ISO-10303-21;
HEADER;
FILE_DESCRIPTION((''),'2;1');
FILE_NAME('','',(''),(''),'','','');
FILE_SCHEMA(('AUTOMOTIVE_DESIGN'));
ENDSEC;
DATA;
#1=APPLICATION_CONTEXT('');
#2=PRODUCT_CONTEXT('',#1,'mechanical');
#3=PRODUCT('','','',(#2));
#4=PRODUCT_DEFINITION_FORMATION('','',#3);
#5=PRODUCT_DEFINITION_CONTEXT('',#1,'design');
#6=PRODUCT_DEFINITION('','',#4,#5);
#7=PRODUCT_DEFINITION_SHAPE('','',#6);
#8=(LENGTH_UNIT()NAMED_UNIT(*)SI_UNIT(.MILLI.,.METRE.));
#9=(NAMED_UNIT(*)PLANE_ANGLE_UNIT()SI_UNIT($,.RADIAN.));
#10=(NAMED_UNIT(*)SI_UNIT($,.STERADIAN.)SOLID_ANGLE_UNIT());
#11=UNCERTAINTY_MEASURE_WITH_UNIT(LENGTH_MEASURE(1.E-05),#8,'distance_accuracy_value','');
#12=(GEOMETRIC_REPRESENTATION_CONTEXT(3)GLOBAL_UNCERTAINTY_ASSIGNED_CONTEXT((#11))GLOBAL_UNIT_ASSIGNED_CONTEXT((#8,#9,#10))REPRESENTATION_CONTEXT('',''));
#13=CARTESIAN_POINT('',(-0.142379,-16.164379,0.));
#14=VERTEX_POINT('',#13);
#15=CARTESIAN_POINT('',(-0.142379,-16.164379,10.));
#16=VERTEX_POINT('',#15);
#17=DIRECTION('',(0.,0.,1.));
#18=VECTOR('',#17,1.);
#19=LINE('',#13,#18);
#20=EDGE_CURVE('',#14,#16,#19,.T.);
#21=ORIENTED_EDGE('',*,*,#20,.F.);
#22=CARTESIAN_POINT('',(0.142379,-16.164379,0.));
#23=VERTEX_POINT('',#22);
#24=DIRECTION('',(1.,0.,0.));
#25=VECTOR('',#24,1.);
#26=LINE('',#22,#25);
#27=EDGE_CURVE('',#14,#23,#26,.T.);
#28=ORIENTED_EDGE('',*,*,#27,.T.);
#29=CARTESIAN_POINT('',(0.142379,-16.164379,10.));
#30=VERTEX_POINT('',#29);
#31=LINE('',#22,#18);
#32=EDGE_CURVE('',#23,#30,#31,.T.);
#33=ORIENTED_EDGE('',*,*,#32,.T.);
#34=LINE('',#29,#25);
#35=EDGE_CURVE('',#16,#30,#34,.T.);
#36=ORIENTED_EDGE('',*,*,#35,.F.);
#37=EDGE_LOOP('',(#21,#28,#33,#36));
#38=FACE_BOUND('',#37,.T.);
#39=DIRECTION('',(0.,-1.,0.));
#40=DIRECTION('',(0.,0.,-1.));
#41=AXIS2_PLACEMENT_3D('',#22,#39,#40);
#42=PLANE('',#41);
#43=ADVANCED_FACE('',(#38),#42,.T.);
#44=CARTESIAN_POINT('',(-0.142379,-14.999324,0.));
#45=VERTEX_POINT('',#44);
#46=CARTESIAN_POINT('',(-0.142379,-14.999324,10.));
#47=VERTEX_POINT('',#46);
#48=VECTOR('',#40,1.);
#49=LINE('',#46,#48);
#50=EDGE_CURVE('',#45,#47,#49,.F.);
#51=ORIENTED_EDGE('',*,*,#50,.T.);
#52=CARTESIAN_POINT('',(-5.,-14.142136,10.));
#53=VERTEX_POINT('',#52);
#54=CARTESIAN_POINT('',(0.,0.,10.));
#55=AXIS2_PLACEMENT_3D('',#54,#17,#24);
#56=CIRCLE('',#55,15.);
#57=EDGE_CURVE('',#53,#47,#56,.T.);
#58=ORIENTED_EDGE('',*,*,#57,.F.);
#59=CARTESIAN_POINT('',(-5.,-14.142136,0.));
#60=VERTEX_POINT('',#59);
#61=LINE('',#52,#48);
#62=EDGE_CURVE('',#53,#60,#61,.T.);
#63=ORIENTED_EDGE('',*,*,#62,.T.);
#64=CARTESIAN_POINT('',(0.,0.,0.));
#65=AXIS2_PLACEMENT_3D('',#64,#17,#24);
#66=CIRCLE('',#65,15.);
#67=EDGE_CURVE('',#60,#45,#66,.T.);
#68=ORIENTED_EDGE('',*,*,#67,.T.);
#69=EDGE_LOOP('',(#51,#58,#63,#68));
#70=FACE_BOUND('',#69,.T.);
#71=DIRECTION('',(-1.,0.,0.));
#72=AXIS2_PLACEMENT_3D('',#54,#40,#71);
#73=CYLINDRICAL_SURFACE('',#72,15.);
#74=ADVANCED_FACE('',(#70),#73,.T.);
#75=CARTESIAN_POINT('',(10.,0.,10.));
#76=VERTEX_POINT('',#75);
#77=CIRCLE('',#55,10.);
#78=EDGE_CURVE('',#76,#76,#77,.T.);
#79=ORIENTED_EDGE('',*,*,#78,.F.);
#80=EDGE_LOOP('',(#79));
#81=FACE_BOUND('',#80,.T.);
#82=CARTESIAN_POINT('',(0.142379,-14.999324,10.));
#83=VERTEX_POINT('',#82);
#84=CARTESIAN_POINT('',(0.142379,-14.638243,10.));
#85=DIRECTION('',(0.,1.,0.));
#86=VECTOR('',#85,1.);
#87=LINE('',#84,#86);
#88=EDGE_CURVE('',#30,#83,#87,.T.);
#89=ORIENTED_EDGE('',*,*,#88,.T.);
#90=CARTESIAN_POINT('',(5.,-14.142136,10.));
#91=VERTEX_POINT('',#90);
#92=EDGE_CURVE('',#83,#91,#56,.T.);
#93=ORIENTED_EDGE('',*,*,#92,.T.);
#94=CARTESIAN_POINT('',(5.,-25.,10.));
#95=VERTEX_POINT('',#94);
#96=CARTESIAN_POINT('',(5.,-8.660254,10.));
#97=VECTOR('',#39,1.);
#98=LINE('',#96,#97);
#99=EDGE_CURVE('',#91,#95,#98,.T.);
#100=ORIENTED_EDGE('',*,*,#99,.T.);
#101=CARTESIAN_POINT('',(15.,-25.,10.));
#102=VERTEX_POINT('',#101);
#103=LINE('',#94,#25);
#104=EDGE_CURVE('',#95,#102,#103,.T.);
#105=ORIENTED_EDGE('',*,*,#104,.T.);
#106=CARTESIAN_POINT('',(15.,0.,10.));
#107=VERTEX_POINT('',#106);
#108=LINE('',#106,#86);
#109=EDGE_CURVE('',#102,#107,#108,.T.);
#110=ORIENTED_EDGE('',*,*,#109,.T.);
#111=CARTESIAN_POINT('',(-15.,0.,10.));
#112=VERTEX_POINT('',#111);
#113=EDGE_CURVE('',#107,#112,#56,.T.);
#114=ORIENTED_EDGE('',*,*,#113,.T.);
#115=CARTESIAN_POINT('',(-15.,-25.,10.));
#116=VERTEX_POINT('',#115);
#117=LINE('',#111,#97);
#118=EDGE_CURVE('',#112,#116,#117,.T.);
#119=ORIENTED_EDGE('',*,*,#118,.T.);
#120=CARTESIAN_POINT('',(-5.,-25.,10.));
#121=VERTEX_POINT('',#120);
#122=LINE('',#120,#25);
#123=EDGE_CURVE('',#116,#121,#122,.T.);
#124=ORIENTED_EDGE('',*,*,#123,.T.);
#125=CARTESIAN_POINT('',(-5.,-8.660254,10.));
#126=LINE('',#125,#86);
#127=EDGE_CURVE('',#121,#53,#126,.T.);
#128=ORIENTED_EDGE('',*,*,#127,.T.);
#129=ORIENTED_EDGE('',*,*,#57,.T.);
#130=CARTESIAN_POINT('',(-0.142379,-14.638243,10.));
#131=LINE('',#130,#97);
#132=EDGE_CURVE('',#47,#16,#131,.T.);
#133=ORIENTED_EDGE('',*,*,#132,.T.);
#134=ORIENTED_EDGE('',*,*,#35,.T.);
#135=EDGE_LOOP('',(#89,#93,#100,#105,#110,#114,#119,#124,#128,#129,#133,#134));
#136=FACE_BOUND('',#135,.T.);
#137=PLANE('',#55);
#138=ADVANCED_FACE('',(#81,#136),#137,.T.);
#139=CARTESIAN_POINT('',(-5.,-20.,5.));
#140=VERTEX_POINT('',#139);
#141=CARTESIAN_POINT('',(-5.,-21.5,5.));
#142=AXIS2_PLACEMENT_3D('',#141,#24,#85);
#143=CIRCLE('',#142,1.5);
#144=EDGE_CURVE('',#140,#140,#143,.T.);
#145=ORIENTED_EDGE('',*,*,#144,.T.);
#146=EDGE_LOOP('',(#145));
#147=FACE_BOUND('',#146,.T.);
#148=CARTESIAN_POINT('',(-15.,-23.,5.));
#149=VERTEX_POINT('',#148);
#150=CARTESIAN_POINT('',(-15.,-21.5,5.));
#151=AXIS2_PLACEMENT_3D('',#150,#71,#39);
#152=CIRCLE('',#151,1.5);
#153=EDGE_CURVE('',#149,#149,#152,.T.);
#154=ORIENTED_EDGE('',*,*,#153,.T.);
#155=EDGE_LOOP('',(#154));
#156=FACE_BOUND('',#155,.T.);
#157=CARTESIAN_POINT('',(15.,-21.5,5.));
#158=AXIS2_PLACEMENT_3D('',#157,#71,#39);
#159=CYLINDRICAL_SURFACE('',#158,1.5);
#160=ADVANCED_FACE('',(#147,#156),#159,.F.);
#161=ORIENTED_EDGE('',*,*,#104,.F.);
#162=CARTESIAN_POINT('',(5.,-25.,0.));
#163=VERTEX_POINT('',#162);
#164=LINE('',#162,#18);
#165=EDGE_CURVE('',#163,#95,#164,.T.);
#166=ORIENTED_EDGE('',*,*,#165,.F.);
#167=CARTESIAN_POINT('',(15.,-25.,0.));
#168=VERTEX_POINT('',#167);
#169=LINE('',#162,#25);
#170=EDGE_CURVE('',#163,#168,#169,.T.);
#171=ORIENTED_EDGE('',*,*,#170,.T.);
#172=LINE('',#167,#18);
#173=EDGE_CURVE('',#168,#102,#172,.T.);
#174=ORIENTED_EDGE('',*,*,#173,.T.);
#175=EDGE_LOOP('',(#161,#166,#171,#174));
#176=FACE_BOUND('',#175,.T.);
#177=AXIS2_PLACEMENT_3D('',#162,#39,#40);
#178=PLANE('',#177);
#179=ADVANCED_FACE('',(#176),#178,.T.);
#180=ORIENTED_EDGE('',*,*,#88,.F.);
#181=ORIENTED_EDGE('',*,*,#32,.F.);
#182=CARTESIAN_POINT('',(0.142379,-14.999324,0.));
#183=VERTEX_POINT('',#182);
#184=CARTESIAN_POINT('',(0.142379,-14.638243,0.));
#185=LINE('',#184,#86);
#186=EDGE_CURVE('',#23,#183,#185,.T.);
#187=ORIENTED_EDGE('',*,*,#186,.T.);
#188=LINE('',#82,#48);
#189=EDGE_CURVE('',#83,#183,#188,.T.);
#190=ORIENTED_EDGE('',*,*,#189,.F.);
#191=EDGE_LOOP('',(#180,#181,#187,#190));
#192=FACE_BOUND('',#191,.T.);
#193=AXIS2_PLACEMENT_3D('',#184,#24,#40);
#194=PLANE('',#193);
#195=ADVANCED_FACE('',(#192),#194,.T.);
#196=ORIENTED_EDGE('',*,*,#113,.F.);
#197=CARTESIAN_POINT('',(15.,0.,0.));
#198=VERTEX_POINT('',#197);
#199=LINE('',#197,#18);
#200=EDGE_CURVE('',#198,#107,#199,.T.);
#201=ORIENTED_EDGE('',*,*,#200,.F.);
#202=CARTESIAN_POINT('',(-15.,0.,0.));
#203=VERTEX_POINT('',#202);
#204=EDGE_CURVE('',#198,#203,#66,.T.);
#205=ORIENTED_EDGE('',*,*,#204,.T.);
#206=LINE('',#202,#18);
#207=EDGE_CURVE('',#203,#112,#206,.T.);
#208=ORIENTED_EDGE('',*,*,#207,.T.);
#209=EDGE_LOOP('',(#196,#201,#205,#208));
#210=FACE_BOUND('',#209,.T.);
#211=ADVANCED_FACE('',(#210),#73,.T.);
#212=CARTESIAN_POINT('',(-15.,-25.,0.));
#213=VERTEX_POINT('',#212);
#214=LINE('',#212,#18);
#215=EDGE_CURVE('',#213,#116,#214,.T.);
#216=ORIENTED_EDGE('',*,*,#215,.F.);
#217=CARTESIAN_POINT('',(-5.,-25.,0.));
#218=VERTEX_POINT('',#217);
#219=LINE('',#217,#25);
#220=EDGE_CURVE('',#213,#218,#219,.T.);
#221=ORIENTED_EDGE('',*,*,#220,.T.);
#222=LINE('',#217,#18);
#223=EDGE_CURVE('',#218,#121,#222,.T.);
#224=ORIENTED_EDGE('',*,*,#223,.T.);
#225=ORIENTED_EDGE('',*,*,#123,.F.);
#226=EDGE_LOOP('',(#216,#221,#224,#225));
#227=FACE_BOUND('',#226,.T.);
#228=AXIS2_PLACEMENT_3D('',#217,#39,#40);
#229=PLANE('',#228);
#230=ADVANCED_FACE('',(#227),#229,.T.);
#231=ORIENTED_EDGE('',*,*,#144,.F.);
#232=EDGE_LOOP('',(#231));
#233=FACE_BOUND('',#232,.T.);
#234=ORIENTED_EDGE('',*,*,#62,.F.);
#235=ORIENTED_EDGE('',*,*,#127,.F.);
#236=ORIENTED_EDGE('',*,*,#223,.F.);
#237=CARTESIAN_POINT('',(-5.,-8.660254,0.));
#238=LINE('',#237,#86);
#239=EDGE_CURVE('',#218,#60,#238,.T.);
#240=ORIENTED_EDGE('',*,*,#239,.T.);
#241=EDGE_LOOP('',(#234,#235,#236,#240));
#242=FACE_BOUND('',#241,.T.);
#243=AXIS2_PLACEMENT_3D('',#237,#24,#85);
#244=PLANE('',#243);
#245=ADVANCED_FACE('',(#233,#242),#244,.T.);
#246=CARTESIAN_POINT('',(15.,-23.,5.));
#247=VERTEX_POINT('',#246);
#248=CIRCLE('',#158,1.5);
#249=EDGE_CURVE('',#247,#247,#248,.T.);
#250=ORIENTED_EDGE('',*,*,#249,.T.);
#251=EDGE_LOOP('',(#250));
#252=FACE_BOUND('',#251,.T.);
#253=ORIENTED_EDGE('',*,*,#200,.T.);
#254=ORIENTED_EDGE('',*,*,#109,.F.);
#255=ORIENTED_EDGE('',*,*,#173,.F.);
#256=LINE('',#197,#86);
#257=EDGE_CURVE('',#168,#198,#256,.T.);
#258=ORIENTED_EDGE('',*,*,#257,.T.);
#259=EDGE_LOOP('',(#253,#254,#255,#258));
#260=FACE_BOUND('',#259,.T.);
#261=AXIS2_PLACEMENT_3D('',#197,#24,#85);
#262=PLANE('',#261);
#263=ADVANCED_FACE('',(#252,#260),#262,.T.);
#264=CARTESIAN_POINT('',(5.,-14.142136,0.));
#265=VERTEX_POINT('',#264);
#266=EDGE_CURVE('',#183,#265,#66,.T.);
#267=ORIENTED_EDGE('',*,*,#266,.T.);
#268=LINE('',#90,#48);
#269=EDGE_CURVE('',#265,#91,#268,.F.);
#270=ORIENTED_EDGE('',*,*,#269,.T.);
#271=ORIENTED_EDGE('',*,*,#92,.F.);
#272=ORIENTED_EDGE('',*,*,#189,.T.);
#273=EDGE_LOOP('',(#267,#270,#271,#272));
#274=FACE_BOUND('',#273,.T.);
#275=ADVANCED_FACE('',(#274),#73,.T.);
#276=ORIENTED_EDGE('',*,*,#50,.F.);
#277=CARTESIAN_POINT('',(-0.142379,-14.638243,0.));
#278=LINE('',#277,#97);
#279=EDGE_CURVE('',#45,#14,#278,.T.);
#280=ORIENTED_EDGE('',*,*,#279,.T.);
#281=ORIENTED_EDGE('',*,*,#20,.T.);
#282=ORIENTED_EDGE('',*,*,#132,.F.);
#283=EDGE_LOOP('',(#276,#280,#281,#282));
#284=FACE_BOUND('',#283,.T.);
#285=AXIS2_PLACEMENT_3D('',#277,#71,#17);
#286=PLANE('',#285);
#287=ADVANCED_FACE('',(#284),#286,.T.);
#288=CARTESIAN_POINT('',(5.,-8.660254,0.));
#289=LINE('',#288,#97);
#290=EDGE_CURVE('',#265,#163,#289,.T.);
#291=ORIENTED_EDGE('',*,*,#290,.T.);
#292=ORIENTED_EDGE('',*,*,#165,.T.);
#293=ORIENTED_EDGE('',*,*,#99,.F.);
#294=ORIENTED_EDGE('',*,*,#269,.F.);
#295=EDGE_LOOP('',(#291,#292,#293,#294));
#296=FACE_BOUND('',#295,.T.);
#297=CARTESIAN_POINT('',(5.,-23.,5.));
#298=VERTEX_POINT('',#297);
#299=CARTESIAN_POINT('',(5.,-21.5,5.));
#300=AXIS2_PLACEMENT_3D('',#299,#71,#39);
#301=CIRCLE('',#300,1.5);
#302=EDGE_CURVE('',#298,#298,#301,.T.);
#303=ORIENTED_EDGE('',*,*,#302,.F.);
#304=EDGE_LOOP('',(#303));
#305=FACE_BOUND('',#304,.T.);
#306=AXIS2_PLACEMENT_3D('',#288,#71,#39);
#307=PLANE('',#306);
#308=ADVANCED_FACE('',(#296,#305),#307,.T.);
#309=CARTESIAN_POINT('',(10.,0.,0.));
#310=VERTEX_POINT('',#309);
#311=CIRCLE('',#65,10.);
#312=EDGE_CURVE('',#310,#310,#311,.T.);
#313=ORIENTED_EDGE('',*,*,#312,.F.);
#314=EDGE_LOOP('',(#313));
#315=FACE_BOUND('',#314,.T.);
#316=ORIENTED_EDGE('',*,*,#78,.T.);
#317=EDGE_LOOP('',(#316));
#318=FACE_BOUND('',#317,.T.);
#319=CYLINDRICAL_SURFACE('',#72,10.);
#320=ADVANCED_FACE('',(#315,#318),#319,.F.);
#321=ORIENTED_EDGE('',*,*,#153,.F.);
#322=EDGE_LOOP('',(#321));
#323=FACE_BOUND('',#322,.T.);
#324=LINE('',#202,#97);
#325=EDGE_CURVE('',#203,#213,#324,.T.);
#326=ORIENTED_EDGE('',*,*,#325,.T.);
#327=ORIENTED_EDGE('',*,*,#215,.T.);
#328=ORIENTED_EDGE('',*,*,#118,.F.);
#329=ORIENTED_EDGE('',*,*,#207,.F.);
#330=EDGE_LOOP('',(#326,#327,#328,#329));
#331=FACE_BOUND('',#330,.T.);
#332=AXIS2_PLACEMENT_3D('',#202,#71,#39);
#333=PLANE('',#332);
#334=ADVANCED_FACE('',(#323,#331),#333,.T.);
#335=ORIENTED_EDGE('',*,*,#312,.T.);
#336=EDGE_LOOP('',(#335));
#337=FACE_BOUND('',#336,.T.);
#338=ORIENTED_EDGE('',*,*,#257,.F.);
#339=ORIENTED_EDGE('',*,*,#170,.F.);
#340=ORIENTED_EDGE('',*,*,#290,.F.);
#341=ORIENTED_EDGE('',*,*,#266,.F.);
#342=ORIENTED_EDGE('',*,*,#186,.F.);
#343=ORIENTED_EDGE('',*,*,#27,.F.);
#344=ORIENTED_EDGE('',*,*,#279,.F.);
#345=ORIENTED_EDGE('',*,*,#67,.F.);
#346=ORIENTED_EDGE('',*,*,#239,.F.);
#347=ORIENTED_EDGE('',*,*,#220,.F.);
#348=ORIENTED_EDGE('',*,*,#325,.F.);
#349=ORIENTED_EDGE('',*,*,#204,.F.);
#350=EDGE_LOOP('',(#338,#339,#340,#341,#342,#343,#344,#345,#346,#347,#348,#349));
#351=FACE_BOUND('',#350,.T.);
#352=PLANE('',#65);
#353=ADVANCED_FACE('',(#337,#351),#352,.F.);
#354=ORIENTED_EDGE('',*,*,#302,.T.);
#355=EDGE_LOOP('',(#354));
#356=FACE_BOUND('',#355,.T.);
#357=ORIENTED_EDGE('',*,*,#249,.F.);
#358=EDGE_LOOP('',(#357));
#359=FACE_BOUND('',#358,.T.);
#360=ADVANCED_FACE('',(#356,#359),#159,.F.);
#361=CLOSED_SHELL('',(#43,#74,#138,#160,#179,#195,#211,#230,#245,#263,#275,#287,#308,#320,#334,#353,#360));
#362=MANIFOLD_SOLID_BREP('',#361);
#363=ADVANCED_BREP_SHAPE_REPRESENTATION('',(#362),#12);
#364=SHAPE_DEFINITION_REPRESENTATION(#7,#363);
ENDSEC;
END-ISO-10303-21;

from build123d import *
from build123d.topology import SkipClean

# Parameters (mm, degrees)
ESQUISSE1_R             = 15
ESQUISSE1_R_2           = 10
BOSS_EXTRU_1_DEPTH      = 10
BOSS_EXTRU_2_START      = -10
ESQUISSE2_W             = 0.284758048
ESQUISSE2_H             = 1.526135502
BOSS_EXTRU_2_DEPTH      = 10
ESQUISSE3_R             = 1.5
ENL_V_MAT_EXTRU_1_DEPTH = 41.311288741


with BuildPart() as part:
    # Esquisse1 → Boss.-Extru.1 (new body)
    with BuildSketch(Plane.XY):
        Circle(ESQUISSE1_R)
        Circle(ESQUISSE1_R_2, mode=Mode.SUBTRACT)
    extrude(amount=BOSS_EXTRU_1_DEPTH)

    # Esquisse2 → Boss.-Extru.2 (add)
    with SkipClean():  # the faces are left unmerged after this step: merging them gives an invalid solid
        with BuildSketch(Plane.XY.offset(10).offset(BOSS_EXTRU_2_START)):
            with BuildLine():
                Line((15, 0), (15, -25))
                Line((15, -25), (5, -25))
                Line((5, -25), (5, -8.660254038))
                ThreePointArc((5, -8.660254038), (8.660254038, -5), (10, 0))
                Line((10, 0), (15, 0))
            make_face()
            with Locations((0, -15.401311239)):
                Rectangle(ESQUISSE2_W, ESQUISSE2_H)
            with BuildLine():
                Line((-10, 0), (-15, 0))
                Line((-15, 0), (-15, -25))
                Line((-15, -25), (-5, -25))
                Line((-5, -25), (-5, -8.660254038))
                ThreePointArc((-5, -8.660254038), (-8.660254038, -5), (-10, 0))
            make_face()
        extrude(amount=BOSS_EXTRU_2_DEPTH)

    # Esquisse3 → Enlèv. mat.-Extru.1 (cut, through all)
    with SkipClean():  # the faces are left unmerged after this step: merging them gives an invalid solid
        with BuildSketch(Plane.ZY.offset(15)):
            with Locations(Location((5, -21.5, 0), (0, 0, 270))):
                Circle(ESQUISSE3_R)
        extrude(amount=-ENL_V_MAT_EXTRU_1_DEPTH, mode=Mode.SUBTRACT)


solid = part.part
